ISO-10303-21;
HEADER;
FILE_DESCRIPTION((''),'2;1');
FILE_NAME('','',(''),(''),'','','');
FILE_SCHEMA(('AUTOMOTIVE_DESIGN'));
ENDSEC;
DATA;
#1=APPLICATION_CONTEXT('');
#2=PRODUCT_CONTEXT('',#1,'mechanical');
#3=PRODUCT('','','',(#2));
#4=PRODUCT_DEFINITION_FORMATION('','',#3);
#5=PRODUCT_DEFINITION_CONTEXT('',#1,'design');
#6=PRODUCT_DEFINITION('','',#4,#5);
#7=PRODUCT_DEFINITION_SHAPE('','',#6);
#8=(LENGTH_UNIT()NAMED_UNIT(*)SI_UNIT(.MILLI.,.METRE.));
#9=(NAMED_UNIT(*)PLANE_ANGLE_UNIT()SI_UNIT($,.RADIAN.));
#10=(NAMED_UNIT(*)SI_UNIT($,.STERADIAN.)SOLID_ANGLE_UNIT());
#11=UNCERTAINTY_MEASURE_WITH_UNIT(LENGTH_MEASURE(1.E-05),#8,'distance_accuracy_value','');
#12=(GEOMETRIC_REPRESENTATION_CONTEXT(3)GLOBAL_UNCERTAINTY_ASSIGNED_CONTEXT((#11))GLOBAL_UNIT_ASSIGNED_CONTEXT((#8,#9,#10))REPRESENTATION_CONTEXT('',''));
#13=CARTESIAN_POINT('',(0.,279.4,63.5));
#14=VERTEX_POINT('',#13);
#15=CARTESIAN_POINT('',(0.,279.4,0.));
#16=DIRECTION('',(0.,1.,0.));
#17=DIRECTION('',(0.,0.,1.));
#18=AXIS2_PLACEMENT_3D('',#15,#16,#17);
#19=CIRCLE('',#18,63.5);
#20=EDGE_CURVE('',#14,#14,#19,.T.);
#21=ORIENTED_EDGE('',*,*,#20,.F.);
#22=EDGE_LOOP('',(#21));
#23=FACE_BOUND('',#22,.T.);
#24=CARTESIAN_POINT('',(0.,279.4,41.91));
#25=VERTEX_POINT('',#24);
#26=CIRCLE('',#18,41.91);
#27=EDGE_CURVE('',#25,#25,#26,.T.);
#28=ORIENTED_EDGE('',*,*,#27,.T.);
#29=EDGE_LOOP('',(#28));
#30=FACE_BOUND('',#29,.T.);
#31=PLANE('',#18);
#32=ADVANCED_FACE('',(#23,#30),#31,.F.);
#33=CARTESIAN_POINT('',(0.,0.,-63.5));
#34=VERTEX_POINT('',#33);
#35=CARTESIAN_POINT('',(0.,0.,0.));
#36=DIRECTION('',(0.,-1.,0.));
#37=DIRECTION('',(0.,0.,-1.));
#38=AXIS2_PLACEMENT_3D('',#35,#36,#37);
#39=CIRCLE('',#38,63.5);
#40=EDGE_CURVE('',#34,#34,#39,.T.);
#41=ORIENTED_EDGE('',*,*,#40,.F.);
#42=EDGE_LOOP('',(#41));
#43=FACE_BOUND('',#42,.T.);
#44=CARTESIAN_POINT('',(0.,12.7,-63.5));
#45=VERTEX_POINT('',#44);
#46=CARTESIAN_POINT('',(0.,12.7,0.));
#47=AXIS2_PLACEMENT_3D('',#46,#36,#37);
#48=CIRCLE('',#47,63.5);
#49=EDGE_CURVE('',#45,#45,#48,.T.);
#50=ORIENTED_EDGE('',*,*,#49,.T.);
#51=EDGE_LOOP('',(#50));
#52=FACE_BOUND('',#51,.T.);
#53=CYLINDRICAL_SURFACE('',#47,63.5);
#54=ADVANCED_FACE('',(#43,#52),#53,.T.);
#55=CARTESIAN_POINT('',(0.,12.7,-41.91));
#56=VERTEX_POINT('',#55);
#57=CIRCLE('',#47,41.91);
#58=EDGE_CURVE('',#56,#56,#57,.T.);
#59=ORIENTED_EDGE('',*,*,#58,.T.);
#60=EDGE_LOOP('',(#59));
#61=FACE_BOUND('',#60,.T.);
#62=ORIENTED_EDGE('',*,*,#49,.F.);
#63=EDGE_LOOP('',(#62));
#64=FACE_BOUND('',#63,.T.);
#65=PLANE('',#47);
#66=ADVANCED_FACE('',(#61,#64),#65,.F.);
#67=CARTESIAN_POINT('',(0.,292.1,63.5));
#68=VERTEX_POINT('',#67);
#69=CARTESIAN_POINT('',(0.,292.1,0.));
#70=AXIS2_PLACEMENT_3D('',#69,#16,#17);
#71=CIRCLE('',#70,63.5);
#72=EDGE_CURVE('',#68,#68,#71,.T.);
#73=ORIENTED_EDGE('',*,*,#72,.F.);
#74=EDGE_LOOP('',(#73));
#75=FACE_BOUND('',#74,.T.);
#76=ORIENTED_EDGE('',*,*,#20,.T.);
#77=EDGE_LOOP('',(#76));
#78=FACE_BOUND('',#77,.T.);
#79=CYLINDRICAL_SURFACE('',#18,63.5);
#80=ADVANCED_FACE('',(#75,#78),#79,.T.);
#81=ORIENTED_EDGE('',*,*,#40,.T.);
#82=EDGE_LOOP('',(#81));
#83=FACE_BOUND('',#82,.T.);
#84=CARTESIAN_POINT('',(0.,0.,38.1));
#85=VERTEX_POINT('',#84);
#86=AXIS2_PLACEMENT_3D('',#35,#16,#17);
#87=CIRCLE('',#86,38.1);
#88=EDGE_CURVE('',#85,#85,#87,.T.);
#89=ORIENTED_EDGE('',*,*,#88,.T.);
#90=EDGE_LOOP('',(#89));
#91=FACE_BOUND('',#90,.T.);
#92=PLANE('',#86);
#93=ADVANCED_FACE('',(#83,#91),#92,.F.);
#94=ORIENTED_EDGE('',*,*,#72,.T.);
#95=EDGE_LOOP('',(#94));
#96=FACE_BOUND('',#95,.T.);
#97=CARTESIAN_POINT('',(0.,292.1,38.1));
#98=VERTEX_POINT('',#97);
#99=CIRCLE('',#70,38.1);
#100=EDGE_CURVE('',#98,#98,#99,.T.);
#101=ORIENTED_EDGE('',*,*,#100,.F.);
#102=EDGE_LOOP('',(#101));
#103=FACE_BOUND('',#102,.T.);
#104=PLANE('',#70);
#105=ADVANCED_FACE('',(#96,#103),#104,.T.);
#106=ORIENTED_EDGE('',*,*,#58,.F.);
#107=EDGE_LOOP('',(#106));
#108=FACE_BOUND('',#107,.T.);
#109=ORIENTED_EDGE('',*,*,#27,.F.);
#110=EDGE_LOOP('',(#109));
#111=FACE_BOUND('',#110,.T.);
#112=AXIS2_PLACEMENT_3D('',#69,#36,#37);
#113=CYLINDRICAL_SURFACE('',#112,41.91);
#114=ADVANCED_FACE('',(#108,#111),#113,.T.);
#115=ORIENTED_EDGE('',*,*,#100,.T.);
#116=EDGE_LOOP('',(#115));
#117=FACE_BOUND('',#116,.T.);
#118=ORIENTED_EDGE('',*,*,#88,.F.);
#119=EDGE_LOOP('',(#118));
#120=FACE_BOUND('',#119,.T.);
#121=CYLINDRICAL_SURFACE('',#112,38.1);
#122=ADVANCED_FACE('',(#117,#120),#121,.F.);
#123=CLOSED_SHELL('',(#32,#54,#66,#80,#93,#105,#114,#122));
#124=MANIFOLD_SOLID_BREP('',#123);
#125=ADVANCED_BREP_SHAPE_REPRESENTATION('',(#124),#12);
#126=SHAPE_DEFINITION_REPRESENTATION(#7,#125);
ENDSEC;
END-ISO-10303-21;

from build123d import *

# Parameters (mm, degrees)
SKETCH2_R            = 41.91
SKETCH2_R_2          = 38.1
BASE_CYLINDER_DEPTH  = 292.1
SKETCH3_R            = 63.5
SKETCH3_R_2          = 38.1
AFT_FLANGE_DEPTH     = 12.7
SKETCH4_R            = 63.5
SKETCH4_R_2          = 38.1
FORWARD_FLANGE_DEPTH = 12.7


with BuildPart() as part:
    # Sketch2 → Base Cylinder (new body)
    with BuildSketch(Plane(origin=(0, 0, 0), x_dir=(1, 0, 0), z_dir=(0, 1, 0))):
        Circle(SKETCH2_R)
        Circle(SKETCH2_R_2, mode=Mode.SUBTRACT)
    extrude(amount=BASE_CYLINDER_DEPTH)

    # Sketch3 → Aft Flange (add)
    with BuildSketch(Plane.XZ):
        Circle(SKETCH3_R)
        Circle(SKETCH3_R_2, mode=Mode.SUBTRACT)
    extrude(amount=-AFT_FLANGE_DEPTH)

    # Sketch4 → Forward Flange (add)
    with BuildSketch(Plane(origin=(0, 292.1, 0), x_dir=(1, 0, 0), z_dir=(0, 1, 0))):
        Circle(SKETCH4_R)
        Circle(SKETCH4_R_2, mode=Mode.SUBTRACT)
    extrude(amount=-FORWARD_FLANGE_DEPTH)


solid = part.part
